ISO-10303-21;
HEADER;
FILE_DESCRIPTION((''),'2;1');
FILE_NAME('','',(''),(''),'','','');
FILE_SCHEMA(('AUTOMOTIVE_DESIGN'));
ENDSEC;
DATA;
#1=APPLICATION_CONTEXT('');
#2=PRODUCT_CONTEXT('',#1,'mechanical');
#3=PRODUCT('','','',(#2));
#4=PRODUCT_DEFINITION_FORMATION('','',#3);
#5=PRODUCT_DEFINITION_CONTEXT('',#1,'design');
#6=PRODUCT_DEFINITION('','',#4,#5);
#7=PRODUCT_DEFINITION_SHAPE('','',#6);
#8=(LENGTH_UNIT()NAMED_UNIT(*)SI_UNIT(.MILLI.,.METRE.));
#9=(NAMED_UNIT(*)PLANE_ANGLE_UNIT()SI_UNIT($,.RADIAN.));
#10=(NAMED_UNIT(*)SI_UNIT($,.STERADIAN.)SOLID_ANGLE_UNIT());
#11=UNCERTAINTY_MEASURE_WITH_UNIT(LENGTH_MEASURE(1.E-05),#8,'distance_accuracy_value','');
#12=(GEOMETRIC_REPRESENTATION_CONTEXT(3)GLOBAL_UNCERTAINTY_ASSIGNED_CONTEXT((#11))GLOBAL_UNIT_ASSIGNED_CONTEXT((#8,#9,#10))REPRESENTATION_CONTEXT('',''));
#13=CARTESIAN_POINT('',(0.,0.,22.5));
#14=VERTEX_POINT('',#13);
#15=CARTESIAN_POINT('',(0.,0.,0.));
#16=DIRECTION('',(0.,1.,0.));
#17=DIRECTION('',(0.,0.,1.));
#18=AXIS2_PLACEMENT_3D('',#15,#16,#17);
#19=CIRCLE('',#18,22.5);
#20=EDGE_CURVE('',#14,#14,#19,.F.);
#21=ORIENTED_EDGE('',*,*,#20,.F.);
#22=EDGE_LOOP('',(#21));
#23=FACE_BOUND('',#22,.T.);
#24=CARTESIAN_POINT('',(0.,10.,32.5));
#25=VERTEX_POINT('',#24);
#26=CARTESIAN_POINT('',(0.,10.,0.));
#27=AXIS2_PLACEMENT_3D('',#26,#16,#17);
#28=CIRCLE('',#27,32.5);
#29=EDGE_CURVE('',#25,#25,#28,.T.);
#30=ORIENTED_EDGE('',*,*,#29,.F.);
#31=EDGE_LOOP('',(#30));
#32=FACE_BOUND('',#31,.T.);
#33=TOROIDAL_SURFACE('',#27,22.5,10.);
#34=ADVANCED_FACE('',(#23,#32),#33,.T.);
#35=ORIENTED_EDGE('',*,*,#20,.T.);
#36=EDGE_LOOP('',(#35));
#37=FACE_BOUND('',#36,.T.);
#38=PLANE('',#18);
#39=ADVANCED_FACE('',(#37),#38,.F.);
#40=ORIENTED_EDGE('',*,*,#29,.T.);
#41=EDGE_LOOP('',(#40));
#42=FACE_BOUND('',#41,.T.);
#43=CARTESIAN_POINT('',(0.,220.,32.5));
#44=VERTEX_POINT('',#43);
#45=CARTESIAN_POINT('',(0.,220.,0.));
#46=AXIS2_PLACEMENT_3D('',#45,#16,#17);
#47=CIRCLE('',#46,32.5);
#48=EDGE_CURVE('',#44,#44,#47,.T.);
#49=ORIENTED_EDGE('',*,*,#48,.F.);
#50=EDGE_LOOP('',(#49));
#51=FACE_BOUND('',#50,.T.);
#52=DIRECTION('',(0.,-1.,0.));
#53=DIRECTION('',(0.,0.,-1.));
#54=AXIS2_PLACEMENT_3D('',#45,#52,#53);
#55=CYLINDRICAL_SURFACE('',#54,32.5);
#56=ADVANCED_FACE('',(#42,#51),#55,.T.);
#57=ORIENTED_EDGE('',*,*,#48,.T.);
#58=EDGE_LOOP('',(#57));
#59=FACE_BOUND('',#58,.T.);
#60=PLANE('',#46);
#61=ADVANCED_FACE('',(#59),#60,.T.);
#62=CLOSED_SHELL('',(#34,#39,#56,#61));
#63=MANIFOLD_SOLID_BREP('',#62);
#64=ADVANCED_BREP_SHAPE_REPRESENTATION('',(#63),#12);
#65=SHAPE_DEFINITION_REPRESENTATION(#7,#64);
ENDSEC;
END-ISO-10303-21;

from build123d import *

# Parameters (mm, degrees)
SKETCH1_R           = 32.5
BOSS_EXTRUDE1_DEPTH = 220
FILLET1_R           = 10


with BuildPart() as part:
    # Sketch1 → Boss-Extrude1 (new body)
    with BuildSketch(Plane(origin=(0, 0, 0), x_dir=(1, 0, 0), z_dir=(0, 1, 0))):
        with Locations(Location((0, 0, 0), (0, 0, 270))):
            Circle(SKETCH1_R)
    extrude(amount=BOSS_EXTRUDE1_DEPTH)

    # Fillet1
    fillet1_edges = [part.edges().sort_by_distance(p)[0] for p in [
        (0, 0, -32.5),
    ]]
    fillet(fillet1_edges, radius=FILLET1_R)


solid = part.part
